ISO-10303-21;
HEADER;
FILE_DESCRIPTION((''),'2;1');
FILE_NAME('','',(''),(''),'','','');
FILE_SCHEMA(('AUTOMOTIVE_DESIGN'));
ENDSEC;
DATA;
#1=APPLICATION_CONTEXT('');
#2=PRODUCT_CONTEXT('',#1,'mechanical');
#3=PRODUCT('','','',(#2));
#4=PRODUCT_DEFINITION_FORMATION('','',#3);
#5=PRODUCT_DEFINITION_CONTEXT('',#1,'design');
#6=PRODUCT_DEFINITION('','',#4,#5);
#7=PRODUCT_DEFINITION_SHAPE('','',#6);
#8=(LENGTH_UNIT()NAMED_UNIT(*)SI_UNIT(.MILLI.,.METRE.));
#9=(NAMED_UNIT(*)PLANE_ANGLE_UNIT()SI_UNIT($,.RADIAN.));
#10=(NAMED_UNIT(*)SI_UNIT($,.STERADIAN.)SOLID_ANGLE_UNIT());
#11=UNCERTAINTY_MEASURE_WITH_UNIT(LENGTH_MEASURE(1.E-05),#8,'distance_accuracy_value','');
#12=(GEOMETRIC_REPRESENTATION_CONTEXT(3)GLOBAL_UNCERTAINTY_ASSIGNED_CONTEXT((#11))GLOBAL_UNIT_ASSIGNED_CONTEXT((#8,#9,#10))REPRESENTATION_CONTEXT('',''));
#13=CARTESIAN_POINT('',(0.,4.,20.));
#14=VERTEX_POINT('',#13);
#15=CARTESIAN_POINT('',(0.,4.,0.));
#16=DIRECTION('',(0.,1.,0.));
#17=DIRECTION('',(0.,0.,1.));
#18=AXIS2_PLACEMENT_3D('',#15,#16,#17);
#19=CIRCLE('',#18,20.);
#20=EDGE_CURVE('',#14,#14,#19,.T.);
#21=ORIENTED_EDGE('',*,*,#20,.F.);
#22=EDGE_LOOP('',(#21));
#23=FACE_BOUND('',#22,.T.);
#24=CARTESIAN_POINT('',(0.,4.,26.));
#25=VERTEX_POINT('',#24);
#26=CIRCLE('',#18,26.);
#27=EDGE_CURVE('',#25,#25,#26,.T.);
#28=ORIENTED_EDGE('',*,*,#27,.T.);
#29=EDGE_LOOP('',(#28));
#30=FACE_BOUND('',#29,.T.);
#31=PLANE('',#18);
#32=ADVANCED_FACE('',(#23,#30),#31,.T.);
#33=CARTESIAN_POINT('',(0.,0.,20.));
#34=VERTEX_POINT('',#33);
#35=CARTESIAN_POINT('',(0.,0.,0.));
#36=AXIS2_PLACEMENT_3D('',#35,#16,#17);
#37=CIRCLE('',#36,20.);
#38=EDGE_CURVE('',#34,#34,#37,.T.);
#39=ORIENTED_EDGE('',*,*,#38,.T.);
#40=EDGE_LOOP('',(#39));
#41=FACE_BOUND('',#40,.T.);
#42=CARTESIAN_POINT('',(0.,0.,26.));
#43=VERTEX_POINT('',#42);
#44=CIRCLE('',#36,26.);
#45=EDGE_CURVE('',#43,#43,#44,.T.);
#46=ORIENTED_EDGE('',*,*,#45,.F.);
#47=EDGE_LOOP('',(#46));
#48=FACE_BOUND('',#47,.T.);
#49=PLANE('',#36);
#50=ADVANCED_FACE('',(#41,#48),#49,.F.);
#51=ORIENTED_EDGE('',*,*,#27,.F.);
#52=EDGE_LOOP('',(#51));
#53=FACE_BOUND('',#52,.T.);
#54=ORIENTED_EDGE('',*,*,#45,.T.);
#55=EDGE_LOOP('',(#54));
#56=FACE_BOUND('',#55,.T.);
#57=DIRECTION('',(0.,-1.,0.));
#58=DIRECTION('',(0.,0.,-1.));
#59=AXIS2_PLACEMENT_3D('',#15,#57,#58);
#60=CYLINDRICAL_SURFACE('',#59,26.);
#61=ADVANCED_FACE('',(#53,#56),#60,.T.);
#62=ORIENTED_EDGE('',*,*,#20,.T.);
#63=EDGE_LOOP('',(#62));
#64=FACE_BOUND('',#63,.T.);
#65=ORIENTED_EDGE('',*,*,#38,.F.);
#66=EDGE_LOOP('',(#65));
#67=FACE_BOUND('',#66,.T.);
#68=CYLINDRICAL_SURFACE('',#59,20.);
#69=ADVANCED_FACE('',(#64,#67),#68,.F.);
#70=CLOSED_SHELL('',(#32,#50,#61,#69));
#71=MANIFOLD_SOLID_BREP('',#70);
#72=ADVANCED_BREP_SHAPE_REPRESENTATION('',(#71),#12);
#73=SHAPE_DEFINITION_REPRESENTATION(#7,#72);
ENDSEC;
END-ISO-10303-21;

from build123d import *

# Parameters (mm, degrees)
SKETCH_1_R        = 26
SKETCH_1_R_2      = 20
EXTRUDE_304_DEPTH = 4


with BuildPart() as part:
    # Эскиз1 → Extrude 304 (new body)
    with BuildSketch(Plane(origin=(0, 0, 0), x_dir=(1, 0, 0), z_dir=(0, 1, 0))):
        with Locations(Location((0, 0, 0), (0, 0, 270))):
            Circle(SKETCH_1_R)
        with Locations(Location((0, 0, 0), (0, 0, 270))):
            Circle(SKETCH_1_R_2, mode=Mode.SUBTRACT)
    extrude(amount=EXTRUDE_304_DEPTH)


solid = part.part
